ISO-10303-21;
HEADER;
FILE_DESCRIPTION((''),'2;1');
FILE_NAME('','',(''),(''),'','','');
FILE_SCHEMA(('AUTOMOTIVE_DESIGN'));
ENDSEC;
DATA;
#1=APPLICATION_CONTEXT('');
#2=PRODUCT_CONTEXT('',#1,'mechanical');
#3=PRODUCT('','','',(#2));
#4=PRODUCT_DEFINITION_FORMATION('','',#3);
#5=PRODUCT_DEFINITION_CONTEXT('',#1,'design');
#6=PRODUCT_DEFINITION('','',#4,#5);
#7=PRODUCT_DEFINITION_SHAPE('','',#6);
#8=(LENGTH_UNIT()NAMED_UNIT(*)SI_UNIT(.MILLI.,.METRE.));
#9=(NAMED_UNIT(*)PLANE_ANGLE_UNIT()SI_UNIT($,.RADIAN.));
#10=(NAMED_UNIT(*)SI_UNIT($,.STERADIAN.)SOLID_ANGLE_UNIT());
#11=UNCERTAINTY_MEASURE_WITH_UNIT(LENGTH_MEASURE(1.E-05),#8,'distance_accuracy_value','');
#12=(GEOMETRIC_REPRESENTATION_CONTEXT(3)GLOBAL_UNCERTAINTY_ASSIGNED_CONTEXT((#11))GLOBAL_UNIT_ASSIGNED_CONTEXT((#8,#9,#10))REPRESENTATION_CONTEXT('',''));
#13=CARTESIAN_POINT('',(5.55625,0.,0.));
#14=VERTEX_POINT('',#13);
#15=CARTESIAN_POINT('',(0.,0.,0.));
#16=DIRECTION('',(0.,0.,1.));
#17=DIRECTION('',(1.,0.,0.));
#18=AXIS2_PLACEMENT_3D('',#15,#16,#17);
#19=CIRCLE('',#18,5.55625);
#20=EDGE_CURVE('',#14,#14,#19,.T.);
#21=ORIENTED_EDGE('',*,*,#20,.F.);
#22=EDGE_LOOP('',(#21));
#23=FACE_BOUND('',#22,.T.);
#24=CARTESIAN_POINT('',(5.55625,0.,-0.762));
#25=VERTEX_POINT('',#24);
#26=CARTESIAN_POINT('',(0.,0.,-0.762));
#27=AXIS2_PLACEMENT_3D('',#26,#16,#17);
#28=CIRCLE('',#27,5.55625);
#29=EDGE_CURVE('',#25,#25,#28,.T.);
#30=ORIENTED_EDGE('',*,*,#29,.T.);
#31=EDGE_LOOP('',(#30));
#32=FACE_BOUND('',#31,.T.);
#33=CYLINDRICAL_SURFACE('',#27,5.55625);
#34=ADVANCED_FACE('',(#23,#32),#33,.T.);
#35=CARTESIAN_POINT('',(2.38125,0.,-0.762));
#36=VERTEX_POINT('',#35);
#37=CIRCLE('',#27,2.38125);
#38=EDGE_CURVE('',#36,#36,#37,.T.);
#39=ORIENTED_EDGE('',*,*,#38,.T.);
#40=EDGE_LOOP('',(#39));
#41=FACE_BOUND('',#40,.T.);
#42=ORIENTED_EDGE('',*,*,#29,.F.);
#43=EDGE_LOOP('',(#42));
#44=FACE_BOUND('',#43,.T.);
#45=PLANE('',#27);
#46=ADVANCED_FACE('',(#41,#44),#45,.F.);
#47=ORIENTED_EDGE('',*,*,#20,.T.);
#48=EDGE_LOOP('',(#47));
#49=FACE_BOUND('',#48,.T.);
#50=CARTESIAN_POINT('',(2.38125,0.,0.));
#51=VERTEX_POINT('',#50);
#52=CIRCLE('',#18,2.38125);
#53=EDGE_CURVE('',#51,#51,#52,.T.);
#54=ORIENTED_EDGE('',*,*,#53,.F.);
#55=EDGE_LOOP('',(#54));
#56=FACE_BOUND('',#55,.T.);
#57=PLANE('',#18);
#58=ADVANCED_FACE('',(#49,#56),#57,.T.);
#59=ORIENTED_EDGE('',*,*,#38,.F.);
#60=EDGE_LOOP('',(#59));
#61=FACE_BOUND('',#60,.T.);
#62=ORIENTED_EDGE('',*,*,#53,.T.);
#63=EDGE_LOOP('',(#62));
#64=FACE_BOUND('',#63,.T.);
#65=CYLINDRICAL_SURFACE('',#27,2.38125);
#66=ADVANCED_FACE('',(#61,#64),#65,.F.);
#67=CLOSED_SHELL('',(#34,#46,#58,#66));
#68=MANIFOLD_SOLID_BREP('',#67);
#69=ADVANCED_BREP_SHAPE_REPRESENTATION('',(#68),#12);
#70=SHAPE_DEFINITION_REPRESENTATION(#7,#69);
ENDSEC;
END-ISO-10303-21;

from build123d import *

# Parameters (mm, degrees)
SKETCH1_R      = 5.55625
SKETCH1_R_2    = 2.38125
EXTRUDE1_DEPTH = 0.762


with BuildPart() as part:
    # Sketch1 → Extrude1 (new body)
    with BuildSketch(Plane.XY):
        Circle(SKETCH1_R)
        Circle(SKETCH1_R_2, mode=Mode.SUBTRACT)
    extrude(amount=-EXTRUDE1_DEPTH)


solid = part.part
